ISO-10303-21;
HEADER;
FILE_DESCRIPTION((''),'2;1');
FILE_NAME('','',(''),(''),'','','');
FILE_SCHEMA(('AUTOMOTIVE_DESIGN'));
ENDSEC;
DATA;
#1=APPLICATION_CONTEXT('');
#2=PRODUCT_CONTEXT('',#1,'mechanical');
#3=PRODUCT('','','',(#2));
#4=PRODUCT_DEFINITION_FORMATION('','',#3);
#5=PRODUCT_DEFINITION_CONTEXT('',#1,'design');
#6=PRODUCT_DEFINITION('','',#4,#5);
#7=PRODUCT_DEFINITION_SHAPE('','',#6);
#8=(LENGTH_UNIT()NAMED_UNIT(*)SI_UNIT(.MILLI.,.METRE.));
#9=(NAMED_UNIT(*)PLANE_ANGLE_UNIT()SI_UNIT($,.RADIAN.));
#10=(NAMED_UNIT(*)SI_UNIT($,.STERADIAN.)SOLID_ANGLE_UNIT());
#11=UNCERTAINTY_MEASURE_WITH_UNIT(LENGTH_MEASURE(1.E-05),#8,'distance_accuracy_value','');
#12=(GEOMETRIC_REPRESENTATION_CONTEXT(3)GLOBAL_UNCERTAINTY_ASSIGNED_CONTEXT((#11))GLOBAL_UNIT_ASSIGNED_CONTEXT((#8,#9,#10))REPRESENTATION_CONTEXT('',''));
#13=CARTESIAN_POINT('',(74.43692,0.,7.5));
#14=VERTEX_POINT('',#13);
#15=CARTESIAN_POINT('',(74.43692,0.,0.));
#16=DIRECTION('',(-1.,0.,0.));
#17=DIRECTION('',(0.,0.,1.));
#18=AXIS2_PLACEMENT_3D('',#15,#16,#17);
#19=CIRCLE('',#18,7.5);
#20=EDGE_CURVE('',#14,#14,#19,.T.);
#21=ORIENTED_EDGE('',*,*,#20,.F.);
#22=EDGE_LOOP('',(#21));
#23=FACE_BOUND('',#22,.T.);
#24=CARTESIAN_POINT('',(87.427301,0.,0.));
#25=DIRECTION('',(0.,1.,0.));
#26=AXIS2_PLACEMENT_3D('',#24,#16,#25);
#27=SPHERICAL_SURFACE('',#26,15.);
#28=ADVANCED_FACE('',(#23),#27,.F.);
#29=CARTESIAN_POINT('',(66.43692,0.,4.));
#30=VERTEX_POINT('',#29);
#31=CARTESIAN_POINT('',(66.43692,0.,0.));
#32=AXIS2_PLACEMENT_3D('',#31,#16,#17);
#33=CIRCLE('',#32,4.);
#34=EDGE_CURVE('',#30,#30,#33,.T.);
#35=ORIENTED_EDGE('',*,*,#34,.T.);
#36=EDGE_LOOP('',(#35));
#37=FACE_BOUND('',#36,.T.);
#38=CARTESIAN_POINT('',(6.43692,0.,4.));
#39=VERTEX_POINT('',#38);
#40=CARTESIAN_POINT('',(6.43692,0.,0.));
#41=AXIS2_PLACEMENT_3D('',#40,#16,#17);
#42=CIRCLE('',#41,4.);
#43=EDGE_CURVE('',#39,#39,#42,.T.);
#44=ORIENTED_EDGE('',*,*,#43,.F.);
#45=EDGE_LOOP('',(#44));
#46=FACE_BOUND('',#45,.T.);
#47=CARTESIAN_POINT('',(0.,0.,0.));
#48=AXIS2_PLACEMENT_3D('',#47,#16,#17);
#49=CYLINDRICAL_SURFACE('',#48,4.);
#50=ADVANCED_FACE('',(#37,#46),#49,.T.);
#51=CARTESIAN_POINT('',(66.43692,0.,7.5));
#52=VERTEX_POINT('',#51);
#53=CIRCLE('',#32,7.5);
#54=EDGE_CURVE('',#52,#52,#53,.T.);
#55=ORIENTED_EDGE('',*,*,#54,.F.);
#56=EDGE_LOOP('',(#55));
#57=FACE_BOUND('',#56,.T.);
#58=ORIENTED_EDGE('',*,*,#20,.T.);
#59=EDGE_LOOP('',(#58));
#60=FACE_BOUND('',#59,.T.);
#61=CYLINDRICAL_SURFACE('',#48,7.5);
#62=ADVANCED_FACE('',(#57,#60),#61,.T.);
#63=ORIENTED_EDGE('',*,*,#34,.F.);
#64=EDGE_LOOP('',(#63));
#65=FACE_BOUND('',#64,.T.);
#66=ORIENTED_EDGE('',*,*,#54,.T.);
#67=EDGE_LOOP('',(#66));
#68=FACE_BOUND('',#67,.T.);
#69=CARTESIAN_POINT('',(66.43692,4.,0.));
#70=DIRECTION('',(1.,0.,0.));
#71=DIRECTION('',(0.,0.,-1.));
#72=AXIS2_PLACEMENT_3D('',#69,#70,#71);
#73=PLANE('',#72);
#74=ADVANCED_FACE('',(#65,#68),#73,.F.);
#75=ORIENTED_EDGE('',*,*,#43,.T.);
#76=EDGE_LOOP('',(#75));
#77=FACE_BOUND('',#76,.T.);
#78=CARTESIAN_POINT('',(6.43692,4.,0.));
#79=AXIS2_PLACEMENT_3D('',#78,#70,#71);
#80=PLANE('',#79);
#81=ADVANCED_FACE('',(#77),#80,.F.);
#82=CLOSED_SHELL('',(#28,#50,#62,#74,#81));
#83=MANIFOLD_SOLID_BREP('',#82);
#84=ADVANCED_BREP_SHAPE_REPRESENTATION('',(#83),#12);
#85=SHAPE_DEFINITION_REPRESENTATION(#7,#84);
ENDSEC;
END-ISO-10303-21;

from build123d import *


with BuildPart() as part:
    # Sketch1 → Revolve1 (revolve)
    with BuildSketch(Plane.XY, mode=Mode.PRIVATE) as revolve1_sk:
        with BuildLine():
            Line((66.43692, 4), (66.43692, 7.5))
            Line((66.43692, 7.5), (74.43692, 7.5))
            ThreePointArc((74.43692, 7.5), (72.938413662, 3.882285677), (72.427301057, 0))
            Line((72.427301057, 0), (6.43692, 0))
            Line((6.43692, 0), (6.43692, 4))
            Line((6.43692, 4), (66.43692, 4))
        make_face()
    revolve(revolve1_sk.sketch.rotate(Axis((0, 0, 0), (1, 0, 0)), 90), axis=Axis((0, 0, 0), (1, 0, 0)))


solid = part.part
